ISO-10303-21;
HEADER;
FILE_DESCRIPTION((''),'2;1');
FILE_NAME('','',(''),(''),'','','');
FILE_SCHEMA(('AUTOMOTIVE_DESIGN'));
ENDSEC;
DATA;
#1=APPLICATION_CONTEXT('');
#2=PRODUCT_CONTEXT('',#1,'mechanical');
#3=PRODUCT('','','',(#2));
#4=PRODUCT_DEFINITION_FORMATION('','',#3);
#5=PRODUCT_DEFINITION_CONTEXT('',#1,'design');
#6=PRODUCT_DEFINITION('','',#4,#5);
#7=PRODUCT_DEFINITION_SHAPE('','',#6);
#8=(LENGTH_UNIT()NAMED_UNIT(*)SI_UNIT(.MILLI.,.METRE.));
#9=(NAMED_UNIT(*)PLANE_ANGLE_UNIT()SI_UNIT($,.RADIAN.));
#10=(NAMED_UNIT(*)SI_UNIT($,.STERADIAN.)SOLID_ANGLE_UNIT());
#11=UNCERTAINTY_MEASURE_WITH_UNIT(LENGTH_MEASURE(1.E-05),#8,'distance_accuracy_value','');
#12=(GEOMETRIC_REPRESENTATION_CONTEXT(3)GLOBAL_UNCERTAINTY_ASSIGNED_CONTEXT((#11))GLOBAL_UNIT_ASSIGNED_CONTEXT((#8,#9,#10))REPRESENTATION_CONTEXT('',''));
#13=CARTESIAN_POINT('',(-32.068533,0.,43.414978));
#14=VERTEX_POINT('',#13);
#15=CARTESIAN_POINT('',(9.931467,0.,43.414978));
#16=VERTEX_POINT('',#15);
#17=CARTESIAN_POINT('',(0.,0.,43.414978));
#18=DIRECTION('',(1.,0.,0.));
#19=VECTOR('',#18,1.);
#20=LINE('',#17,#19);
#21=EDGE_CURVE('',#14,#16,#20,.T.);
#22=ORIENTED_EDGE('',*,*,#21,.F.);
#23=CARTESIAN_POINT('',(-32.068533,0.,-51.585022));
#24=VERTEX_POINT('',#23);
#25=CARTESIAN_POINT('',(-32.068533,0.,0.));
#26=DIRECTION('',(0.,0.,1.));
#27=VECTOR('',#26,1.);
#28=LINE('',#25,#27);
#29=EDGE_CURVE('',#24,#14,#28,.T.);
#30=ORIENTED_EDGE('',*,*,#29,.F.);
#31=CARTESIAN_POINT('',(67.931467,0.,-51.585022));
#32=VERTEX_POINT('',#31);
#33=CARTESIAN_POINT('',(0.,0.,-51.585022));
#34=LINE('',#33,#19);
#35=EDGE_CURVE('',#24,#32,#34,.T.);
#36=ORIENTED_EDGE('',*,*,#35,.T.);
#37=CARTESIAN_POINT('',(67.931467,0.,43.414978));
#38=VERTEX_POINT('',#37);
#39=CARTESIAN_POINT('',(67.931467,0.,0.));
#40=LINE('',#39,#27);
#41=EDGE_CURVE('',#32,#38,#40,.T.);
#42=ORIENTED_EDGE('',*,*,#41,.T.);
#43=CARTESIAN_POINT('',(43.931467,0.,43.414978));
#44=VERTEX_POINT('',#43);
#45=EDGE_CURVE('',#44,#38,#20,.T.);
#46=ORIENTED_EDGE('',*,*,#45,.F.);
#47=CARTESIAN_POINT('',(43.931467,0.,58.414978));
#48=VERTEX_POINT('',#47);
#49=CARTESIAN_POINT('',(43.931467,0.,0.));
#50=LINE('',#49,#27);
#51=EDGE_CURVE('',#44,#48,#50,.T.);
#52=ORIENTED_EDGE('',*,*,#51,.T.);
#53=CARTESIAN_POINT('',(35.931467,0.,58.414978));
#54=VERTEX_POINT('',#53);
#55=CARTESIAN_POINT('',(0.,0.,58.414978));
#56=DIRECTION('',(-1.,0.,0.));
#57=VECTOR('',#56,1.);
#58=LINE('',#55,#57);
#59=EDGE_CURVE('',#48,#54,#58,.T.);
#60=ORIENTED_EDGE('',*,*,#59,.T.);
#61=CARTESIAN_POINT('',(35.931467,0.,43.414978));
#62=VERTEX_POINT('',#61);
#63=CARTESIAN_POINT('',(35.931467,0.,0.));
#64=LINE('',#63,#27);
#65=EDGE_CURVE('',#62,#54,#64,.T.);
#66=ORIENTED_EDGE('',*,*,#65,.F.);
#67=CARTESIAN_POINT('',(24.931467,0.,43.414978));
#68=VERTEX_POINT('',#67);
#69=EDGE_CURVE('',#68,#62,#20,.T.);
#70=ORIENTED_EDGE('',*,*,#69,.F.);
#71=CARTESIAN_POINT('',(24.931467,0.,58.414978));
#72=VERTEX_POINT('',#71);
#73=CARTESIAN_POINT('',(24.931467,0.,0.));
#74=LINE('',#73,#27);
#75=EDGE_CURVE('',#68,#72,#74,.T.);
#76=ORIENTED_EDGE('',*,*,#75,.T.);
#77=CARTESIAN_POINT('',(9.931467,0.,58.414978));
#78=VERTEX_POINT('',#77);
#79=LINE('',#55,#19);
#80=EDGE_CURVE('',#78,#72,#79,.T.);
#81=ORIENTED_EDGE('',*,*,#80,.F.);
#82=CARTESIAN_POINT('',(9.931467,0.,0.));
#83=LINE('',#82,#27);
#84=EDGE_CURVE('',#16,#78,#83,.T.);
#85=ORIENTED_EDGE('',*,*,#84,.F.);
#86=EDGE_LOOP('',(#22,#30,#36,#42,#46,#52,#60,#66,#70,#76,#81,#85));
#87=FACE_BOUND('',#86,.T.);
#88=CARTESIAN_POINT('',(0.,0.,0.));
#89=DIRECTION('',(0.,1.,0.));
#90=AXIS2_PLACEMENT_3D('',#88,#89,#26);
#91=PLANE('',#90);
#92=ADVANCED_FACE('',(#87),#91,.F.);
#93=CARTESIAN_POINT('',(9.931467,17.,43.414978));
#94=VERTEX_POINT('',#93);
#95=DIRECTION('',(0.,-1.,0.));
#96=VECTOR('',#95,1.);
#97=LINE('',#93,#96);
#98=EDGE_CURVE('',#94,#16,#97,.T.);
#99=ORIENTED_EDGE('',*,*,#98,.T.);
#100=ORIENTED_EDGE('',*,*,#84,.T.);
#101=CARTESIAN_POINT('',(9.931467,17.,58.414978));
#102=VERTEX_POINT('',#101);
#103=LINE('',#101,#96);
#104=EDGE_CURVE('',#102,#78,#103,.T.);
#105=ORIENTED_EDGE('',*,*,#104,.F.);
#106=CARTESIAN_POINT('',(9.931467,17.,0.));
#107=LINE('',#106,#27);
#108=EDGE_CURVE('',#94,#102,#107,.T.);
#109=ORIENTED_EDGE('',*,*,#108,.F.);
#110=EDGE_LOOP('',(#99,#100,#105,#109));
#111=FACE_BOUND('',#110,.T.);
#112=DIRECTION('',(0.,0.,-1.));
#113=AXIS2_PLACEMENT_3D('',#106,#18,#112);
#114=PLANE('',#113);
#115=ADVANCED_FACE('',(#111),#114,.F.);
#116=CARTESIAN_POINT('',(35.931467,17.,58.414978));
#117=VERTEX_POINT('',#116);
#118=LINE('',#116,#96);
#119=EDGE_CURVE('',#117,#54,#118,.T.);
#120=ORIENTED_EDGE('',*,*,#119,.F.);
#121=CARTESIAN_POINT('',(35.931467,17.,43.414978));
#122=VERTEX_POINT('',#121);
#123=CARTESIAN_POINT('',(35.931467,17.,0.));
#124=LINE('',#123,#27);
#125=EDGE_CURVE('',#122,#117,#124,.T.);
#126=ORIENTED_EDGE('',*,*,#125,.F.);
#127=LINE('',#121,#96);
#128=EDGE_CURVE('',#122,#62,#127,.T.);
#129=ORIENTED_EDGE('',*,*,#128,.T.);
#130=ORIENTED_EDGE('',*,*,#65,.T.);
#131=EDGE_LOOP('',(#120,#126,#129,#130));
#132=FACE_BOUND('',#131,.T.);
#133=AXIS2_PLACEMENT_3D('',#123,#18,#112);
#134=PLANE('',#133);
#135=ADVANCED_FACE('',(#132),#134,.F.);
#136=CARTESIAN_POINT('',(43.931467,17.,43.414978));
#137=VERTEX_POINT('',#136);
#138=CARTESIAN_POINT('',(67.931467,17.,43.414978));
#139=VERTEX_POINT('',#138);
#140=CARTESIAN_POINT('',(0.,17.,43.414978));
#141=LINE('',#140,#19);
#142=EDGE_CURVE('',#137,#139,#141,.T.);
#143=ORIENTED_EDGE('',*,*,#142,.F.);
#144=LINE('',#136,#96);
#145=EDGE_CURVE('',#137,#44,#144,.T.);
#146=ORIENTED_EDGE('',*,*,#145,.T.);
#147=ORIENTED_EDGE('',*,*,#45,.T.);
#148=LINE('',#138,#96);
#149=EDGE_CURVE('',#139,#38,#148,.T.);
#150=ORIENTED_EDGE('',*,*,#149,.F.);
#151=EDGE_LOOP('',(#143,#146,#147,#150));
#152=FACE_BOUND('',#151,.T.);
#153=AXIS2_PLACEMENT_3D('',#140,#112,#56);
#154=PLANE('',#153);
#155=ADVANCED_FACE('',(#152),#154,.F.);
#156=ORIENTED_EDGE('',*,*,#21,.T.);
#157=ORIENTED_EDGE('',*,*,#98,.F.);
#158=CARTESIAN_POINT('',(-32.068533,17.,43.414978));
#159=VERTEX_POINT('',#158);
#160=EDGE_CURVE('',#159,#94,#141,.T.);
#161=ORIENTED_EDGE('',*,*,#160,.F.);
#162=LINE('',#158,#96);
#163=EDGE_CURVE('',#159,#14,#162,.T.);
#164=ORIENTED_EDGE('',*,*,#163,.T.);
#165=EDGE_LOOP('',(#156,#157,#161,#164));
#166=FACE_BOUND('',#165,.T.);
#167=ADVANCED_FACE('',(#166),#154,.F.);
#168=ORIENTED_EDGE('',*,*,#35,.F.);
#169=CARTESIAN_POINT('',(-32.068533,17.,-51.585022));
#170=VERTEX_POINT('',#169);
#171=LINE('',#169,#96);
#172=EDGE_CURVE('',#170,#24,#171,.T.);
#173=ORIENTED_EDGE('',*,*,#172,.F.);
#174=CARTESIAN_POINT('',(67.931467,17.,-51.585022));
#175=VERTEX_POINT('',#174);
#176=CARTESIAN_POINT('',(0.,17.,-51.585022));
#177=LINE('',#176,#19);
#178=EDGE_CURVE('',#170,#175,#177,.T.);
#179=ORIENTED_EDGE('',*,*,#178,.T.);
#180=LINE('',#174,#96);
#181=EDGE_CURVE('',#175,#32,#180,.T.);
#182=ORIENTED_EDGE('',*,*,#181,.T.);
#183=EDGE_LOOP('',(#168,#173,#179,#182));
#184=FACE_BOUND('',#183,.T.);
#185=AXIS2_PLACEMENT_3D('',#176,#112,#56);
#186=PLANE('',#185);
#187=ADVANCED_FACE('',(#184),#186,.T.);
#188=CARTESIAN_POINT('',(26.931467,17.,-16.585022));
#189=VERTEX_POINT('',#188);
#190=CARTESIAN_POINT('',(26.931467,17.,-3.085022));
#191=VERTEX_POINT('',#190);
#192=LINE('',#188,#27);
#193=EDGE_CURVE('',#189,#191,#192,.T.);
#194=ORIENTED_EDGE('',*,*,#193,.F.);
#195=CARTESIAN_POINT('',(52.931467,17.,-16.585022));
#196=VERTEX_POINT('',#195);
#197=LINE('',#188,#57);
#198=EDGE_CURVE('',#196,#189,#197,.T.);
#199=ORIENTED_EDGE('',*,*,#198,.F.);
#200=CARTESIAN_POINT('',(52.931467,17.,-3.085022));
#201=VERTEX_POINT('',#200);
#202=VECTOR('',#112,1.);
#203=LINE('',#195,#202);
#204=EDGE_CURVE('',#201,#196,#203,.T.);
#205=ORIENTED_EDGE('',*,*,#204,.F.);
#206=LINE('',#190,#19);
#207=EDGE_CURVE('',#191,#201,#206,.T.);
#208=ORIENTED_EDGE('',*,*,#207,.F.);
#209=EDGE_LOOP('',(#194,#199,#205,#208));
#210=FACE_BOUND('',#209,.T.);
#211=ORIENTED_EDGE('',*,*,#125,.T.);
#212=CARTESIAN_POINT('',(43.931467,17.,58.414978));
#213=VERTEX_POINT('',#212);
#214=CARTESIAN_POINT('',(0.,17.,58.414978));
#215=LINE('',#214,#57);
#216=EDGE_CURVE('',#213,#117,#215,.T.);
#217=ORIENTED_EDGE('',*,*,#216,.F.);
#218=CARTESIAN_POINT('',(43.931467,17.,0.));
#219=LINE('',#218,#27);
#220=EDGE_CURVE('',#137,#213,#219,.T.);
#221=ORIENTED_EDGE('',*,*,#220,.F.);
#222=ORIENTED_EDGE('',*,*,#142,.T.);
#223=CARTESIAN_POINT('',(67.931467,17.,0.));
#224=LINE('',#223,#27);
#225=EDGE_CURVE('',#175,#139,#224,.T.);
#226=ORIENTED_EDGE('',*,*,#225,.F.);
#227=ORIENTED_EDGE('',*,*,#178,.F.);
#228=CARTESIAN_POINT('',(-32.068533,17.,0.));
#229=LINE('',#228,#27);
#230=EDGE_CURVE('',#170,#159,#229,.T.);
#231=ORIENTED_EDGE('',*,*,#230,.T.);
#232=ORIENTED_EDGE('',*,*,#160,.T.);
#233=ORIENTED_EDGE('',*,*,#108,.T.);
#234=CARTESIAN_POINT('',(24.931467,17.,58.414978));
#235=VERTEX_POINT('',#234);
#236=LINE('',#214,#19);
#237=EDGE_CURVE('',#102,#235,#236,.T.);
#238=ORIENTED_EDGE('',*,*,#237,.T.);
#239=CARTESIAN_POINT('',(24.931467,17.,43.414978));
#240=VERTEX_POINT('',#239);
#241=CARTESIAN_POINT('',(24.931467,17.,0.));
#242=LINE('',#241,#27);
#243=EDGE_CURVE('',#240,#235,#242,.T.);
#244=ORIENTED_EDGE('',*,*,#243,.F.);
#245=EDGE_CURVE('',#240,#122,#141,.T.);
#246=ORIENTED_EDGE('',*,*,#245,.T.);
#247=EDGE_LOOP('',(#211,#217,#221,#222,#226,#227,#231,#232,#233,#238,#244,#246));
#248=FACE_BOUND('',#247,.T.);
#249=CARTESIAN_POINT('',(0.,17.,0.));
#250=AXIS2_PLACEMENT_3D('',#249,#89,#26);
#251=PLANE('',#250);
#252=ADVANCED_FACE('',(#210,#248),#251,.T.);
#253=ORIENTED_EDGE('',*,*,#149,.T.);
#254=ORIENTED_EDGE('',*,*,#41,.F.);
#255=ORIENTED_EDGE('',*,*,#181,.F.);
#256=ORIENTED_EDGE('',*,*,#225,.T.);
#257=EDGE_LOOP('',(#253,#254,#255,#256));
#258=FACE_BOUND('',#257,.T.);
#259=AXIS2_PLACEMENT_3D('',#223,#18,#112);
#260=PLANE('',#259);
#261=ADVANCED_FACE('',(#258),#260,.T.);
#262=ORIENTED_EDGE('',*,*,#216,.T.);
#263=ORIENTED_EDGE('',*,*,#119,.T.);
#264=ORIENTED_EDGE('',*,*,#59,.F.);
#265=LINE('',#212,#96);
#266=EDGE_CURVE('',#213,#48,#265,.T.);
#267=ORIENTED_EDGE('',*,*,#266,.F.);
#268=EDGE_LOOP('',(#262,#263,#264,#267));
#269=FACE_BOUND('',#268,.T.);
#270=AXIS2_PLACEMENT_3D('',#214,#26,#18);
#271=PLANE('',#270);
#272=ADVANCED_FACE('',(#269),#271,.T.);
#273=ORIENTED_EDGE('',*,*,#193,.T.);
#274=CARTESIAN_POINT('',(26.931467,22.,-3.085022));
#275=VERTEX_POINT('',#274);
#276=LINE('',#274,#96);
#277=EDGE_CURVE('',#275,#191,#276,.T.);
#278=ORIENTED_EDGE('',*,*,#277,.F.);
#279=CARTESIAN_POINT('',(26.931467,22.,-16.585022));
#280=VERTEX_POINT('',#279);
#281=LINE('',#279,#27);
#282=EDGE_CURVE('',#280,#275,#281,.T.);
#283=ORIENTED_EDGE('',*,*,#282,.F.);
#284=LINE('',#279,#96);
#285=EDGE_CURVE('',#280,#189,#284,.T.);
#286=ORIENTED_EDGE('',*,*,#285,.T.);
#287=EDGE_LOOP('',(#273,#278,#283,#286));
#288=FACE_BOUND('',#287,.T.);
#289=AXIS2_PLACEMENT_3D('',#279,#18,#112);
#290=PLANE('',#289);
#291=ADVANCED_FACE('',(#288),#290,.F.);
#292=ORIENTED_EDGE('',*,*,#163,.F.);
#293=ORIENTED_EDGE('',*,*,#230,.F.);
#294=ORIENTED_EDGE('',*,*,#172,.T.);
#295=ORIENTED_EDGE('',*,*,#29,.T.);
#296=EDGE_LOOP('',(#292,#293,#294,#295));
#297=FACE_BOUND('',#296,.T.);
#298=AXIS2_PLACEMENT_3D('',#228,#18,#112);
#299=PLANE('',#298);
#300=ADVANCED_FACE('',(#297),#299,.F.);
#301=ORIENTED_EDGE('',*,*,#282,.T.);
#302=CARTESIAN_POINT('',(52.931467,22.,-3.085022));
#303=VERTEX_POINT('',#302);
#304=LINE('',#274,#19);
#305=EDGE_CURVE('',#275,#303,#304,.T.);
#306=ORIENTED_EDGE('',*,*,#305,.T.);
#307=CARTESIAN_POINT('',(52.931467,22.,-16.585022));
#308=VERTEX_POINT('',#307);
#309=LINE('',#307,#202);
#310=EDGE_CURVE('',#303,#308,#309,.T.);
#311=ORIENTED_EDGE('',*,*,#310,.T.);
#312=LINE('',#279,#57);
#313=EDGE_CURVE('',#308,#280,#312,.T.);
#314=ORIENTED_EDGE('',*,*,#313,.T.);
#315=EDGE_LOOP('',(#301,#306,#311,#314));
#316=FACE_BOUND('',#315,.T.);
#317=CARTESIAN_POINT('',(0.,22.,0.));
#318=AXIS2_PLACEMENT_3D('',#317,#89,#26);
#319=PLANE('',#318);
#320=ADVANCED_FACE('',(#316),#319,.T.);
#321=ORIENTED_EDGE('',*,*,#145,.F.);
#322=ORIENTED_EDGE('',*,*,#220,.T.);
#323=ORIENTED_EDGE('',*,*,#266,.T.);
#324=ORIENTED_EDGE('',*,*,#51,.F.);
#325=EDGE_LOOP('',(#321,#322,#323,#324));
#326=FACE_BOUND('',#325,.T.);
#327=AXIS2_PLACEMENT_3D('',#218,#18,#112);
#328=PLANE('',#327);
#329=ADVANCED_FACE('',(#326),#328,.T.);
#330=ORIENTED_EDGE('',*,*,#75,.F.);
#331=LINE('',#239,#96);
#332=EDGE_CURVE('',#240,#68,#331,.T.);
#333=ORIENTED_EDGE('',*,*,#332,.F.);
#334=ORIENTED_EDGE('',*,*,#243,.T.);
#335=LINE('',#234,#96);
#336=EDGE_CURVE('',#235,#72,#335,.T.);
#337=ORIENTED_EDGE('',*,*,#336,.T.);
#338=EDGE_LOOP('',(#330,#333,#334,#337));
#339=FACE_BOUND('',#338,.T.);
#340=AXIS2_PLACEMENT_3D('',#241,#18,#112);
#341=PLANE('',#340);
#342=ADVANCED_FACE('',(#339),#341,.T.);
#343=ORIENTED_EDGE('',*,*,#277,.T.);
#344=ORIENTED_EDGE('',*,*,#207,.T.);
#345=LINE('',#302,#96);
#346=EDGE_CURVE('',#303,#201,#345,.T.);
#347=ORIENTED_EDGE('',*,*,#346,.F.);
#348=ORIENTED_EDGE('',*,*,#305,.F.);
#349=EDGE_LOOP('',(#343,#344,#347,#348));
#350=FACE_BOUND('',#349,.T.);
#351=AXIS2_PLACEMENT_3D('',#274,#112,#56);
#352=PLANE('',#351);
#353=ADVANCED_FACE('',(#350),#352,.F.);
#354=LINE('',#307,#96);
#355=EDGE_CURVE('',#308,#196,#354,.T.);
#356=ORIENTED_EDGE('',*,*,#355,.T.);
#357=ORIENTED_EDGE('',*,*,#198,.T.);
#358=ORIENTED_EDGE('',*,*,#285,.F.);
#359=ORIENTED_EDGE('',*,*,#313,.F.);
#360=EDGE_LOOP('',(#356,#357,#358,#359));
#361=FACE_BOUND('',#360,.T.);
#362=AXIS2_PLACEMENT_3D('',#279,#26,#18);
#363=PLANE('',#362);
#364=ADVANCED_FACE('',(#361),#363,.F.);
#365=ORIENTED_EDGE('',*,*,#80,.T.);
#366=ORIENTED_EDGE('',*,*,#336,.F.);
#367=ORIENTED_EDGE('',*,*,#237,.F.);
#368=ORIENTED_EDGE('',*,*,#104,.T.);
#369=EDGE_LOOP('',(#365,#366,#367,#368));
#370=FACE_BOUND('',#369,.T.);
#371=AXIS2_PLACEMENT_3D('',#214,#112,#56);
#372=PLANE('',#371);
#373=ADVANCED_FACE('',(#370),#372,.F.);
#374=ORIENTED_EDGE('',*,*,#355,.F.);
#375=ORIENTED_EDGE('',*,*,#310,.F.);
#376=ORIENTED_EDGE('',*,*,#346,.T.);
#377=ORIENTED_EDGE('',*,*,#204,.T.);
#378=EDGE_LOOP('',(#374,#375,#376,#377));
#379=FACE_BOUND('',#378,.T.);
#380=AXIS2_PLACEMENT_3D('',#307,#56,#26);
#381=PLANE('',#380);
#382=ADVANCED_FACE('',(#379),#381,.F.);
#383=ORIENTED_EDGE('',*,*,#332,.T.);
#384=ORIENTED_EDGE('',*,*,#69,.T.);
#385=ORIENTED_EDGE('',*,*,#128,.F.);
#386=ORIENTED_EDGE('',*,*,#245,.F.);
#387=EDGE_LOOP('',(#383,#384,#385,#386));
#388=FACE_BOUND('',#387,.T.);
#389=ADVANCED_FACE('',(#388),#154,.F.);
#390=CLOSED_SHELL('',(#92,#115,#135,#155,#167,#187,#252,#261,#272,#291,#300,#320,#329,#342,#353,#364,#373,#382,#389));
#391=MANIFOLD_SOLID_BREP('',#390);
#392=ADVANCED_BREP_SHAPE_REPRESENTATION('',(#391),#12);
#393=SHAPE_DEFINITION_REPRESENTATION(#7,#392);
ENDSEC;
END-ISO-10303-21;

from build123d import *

# Parameters (mm, degrees)
BOSS_EXTRUDE9_DEPTH  = 17
SKETCH5_W            = 26
SKETCH5_H            = 13.5
BOSS_EXTRUDE10_DEPTH = 5


with BuildPart() as part:
    # Sketch1 → Boss-Extrude9 (new body)
    with BuildSketch(Plane(origin=(0, 0, 0), x_dir=(1, 0, 0), z_dir=(0, 1, 0))):
        Polygon((24.931466627, -43.41497766), (35.931466627, -43.41497766), (35.931466627, -58.41497766), (43.931466627, -58.41497766), (43.931466627, -43.41497766), (67.931466627, -43.41497766), (67.931466627, 51.58502234), (-32.068533373, 51.58502234), (-32.068533373, -43.41497766), (9.931466627, -43.41497766), (9.931466627, -58.41497766), (24.931466627, -58.41497766), align=None)
    extrude(amount=BOSS_EXTRUDE9_DEPTH)

    # Sketch5 → Boss-Extrude10 (add)
    with BuildSketch(Plane(origin=(0, 17, 0), x_dir=(1, 0, 0), z_dir=(0, 1, 0))):
        with Locations((39.931466627, 9.83502234)):
            Rectangle(SKETCH5_W, SKETCH5_H)
    extrude(amount=BOSS_EXTRUDE10_DEPTH)


solid = part.part
